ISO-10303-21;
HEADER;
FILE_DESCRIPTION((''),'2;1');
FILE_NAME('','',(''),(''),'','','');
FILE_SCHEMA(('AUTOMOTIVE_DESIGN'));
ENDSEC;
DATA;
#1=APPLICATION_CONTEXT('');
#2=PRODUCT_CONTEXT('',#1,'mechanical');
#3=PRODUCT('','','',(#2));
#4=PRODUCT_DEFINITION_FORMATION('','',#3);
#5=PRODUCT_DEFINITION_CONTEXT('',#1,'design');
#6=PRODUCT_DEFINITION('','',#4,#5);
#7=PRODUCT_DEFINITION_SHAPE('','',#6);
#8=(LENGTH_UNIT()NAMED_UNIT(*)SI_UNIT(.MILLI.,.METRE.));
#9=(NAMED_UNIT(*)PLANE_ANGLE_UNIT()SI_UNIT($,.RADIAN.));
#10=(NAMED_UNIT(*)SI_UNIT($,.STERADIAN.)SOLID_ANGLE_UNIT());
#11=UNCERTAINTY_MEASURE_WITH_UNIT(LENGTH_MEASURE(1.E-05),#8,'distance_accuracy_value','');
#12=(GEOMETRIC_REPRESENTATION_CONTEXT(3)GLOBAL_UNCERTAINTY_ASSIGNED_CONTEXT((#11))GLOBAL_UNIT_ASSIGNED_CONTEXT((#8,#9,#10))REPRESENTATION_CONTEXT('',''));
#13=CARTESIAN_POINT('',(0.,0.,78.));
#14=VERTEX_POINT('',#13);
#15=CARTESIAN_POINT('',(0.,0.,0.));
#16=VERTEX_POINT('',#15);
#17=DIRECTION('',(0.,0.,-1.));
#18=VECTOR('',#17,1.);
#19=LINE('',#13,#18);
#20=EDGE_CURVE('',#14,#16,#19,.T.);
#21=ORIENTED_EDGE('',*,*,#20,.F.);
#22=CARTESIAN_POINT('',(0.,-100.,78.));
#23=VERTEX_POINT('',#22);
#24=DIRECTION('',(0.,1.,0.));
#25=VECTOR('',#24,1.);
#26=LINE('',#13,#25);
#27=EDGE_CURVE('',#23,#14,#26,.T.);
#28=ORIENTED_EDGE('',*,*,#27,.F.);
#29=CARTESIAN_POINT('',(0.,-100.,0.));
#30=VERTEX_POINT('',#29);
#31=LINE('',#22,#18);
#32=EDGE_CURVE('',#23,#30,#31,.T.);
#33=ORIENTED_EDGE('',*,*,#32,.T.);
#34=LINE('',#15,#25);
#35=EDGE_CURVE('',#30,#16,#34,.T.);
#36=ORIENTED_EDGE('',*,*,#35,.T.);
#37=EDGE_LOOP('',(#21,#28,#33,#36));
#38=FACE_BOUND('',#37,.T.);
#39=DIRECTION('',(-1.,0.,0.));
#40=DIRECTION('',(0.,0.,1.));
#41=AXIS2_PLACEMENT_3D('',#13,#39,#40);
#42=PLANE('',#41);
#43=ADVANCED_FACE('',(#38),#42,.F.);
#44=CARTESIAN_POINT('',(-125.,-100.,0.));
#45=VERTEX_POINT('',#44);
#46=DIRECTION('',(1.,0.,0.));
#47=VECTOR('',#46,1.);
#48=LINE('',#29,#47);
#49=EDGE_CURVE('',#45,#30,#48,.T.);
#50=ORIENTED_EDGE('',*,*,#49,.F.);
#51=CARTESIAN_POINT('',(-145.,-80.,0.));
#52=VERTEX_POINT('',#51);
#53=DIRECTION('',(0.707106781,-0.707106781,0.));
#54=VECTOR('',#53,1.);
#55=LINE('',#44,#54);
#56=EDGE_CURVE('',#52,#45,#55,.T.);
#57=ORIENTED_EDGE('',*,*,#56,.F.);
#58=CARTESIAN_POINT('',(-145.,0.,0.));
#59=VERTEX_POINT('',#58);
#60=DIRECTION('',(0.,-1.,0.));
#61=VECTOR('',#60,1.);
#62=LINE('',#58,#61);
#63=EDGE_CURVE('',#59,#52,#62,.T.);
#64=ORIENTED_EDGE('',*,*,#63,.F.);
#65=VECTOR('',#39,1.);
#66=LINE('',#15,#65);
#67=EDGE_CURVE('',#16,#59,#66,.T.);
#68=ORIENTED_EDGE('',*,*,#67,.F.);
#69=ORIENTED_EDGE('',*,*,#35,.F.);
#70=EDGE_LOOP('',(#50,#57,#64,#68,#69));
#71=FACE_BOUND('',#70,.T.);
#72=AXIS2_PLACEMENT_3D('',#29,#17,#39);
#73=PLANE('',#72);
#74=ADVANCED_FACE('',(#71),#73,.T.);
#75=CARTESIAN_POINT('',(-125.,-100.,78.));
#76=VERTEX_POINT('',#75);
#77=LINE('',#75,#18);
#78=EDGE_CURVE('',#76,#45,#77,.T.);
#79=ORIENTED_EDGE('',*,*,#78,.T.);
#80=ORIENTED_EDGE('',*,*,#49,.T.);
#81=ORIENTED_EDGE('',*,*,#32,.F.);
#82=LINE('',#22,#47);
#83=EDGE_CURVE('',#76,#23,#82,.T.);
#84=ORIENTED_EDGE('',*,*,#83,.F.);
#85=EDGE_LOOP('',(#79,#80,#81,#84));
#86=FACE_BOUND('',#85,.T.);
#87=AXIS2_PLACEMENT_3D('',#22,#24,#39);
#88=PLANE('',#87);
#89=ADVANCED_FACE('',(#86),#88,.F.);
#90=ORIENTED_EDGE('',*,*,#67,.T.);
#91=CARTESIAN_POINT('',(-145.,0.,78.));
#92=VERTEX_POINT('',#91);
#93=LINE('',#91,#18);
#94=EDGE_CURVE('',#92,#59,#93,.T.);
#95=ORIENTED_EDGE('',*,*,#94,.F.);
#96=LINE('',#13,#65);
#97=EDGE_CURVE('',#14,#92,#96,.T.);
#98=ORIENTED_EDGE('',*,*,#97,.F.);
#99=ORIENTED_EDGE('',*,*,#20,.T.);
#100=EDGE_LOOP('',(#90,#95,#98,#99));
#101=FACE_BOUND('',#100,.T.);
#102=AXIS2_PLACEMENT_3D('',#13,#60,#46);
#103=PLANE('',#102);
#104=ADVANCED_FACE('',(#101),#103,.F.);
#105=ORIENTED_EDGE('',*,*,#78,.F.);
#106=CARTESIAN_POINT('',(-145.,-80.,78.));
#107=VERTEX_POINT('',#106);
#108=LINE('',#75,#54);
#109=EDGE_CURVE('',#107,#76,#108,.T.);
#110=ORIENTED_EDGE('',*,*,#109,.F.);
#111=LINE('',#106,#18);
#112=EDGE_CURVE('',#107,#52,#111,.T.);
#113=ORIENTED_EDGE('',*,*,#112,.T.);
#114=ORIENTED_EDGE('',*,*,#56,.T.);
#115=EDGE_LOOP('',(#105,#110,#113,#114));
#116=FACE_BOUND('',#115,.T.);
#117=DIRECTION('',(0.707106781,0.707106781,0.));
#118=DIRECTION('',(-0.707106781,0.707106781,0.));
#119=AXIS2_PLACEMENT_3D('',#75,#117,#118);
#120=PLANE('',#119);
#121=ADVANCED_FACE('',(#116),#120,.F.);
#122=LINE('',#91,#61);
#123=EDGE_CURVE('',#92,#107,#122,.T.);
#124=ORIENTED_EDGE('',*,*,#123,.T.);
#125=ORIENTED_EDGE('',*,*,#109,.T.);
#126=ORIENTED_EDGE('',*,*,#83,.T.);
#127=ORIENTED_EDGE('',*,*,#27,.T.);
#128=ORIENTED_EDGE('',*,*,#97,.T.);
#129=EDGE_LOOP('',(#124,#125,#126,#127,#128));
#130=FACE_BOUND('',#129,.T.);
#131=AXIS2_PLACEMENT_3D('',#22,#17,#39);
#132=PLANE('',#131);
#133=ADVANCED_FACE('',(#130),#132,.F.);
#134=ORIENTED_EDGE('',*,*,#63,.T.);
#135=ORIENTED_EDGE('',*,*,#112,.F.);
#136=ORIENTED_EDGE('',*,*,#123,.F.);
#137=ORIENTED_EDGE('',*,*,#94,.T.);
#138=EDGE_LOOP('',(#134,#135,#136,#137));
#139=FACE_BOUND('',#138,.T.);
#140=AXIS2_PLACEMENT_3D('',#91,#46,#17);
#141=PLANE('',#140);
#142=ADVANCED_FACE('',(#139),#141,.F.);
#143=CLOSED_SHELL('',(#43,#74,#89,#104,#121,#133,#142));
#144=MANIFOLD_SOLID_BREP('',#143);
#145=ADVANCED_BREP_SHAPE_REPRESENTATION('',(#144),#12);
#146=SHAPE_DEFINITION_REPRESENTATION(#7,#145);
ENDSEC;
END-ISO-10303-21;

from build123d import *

# Parameters (mm, degrees)
BOSS_EXTRUDE1_DEPTH = 78


with BuildPart() as part:
    # Sketch1 → Boss-Extrude1 (new body)
    with BuildSketch(Plane.XY):
        Polygon((-125, -100), (-145, -80), (-145, 0), (0, 0), (0, -100), align=None)
    extrude(amount=BOSS_EXTRUDE1_DEPTH)


solid = part.part
